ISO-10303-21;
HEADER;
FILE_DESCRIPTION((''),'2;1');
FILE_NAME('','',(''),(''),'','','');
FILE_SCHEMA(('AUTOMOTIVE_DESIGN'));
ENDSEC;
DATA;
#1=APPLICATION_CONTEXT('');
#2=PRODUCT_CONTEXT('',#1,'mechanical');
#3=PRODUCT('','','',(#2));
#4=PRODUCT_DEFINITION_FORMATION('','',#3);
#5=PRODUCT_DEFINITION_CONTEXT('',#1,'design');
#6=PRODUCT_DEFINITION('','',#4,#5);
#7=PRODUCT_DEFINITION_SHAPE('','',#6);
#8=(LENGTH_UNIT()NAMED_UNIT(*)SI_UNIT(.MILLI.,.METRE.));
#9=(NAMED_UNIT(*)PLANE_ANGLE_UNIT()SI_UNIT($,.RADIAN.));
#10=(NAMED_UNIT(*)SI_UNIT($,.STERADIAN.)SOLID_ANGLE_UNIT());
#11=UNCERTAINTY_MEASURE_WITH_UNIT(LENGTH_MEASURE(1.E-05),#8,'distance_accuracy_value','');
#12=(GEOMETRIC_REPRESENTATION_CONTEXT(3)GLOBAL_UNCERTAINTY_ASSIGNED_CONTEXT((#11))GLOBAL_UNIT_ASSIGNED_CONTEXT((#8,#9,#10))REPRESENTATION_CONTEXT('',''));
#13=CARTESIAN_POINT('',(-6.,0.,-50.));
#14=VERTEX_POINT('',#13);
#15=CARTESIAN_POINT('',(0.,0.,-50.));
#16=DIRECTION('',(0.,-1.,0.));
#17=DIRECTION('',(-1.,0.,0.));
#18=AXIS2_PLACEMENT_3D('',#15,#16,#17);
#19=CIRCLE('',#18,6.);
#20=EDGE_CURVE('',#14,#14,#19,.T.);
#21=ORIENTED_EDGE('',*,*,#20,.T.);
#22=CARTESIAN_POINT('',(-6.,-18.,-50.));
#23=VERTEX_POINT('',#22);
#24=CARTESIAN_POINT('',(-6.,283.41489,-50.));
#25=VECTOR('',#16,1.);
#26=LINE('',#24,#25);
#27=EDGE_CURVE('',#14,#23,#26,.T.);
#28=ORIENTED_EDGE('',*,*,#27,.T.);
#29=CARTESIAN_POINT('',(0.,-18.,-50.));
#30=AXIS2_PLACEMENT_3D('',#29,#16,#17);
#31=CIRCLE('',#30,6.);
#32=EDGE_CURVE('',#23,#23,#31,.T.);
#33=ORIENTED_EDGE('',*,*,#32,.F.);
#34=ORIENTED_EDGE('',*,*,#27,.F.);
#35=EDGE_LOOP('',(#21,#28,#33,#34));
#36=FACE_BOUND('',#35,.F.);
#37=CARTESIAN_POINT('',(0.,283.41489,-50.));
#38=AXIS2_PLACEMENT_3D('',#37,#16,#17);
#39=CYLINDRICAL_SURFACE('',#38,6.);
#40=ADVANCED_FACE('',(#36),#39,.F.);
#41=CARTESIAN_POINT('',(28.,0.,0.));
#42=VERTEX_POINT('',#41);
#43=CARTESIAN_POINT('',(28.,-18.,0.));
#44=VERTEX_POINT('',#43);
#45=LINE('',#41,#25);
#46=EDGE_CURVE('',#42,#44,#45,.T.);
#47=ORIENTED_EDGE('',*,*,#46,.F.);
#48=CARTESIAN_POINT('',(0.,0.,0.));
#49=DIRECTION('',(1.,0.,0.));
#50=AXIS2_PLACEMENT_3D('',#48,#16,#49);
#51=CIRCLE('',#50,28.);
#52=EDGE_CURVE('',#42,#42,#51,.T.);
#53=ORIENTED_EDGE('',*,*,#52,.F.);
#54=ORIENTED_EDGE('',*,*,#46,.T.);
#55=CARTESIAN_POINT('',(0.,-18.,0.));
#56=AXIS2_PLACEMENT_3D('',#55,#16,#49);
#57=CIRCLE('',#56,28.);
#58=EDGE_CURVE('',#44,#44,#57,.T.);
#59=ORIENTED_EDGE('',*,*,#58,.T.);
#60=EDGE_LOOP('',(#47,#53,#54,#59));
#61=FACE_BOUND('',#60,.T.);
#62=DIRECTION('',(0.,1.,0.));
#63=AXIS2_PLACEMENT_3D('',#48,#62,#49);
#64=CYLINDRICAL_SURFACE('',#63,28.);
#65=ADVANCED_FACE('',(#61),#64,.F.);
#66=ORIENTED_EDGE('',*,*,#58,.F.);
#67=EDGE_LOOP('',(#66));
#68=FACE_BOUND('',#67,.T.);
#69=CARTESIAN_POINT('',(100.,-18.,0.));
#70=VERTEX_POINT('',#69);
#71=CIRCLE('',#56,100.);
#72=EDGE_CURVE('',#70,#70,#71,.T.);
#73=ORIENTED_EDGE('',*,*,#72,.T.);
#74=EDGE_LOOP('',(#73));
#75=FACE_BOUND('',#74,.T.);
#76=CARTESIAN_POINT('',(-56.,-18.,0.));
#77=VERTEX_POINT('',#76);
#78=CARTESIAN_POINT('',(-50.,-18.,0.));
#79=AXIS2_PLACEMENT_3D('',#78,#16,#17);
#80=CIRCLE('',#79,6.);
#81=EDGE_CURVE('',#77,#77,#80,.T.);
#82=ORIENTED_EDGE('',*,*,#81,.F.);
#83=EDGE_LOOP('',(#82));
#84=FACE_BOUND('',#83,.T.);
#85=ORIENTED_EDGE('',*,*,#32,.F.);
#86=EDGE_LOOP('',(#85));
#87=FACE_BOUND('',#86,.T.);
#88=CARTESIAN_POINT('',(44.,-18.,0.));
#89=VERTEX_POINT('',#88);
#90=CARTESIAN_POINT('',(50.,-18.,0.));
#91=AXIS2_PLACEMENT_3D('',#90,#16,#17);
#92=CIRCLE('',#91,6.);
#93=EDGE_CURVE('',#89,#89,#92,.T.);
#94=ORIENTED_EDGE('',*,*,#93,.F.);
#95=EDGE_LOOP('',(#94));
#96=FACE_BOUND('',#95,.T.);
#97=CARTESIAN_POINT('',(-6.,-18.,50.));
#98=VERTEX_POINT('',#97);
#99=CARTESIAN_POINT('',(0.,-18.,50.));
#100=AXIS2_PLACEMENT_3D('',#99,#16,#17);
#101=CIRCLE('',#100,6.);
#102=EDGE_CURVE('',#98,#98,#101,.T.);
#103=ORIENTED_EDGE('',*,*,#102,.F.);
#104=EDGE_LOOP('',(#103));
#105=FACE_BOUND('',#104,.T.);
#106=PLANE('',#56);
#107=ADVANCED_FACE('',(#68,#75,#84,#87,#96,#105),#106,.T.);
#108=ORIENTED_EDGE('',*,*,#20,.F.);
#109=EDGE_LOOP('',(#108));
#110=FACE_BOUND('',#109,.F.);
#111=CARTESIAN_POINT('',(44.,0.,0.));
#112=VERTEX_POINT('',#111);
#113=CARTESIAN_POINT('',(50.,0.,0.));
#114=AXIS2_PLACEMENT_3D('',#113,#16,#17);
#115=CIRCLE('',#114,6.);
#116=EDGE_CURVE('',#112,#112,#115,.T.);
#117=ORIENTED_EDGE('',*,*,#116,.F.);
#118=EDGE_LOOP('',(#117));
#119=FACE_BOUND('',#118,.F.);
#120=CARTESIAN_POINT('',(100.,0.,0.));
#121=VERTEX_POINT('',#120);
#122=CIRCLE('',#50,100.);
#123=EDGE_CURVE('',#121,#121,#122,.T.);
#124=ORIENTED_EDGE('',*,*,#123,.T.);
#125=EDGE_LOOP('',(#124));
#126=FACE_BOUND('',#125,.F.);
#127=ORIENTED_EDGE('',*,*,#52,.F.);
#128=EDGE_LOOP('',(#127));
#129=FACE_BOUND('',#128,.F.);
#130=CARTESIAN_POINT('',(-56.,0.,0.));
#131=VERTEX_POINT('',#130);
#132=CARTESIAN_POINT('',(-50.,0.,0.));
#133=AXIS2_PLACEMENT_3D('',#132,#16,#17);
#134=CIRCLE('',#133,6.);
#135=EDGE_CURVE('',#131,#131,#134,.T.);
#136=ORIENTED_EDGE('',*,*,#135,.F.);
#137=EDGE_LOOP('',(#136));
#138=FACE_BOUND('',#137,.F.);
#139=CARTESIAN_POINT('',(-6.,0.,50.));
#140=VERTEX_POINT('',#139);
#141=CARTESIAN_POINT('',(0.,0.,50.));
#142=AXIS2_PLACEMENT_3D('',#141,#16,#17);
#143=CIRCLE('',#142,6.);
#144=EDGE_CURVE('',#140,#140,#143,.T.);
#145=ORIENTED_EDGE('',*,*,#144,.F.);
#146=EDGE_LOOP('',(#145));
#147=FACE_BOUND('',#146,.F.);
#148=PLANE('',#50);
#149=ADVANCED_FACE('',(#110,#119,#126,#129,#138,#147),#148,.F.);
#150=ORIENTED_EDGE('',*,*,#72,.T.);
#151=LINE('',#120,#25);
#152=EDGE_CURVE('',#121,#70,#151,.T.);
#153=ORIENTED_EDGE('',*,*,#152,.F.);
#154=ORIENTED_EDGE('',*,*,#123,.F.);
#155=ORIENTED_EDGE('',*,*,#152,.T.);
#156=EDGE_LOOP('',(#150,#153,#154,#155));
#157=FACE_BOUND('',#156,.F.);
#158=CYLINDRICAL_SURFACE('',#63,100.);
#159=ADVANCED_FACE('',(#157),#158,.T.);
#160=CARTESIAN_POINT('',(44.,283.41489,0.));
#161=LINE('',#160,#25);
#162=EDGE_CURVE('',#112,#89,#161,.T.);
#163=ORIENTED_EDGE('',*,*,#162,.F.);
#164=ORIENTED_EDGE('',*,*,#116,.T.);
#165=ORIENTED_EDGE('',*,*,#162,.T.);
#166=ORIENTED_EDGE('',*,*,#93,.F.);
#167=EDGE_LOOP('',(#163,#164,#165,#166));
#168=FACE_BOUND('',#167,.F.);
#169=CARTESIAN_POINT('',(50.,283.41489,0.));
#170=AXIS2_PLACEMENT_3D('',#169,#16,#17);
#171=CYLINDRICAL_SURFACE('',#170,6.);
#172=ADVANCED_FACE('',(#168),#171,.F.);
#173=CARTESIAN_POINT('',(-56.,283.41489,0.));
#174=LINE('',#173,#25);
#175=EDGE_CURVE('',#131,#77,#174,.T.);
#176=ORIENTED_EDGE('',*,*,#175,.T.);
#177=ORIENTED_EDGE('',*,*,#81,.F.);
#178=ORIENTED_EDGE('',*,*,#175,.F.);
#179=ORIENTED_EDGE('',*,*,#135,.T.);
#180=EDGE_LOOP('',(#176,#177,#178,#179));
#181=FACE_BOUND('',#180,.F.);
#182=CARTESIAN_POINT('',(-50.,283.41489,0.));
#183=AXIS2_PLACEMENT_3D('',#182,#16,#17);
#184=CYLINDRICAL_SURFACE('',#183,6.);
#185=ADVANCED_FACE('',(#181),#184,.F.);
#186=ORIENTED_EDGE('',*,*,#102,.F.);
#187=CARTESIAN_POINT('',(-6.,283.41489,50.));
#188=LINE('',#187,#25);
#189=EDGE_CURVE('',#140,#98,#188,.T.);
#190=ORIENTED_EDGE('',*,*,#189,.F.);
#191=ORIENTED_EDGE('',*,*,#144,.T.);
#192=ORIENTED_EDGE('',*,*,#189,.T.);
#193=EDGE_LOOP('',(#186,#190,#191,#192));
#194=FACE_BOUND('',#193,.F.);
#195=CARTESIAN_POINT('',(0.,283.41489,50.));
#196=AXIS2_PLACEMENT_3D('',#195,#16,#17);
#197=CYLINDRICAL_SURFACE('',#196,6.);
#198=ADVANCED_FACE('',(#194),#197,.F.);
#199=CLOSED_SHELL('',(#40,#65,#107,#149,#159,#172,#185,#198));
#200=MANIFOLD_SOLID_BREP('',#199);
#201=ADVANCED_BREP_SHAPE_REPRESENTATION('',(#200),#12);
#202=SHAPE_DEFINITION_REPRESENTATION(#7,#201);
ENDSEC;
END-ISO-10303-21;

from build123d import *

# Parameters (mm, degrees)
F0_R     = 100
F0_R_2   = 28
F1_DEPTH = 18
F2_D     = 12


with BuildPart() as f1:
    # F0 (on Front) → F1 (new body)
    with BuildSketch(Plane.XZ):
        Circle(F0_R)
        Circle(F0_R_2, mode=Mode.SUBTRACT)
    extrude(amount=F1_DEPTH)

    # F2 (through all)
    with Locations(Plane(origin=(0, 0, 0), x_dir=(1, 0, 0), z_dir=(0, 1, 0))):
        with Locations((0, 50), (50, 0), (0, -50), (-50, 0)):
            Hole(F2_D / 2)


solid = f1.part
